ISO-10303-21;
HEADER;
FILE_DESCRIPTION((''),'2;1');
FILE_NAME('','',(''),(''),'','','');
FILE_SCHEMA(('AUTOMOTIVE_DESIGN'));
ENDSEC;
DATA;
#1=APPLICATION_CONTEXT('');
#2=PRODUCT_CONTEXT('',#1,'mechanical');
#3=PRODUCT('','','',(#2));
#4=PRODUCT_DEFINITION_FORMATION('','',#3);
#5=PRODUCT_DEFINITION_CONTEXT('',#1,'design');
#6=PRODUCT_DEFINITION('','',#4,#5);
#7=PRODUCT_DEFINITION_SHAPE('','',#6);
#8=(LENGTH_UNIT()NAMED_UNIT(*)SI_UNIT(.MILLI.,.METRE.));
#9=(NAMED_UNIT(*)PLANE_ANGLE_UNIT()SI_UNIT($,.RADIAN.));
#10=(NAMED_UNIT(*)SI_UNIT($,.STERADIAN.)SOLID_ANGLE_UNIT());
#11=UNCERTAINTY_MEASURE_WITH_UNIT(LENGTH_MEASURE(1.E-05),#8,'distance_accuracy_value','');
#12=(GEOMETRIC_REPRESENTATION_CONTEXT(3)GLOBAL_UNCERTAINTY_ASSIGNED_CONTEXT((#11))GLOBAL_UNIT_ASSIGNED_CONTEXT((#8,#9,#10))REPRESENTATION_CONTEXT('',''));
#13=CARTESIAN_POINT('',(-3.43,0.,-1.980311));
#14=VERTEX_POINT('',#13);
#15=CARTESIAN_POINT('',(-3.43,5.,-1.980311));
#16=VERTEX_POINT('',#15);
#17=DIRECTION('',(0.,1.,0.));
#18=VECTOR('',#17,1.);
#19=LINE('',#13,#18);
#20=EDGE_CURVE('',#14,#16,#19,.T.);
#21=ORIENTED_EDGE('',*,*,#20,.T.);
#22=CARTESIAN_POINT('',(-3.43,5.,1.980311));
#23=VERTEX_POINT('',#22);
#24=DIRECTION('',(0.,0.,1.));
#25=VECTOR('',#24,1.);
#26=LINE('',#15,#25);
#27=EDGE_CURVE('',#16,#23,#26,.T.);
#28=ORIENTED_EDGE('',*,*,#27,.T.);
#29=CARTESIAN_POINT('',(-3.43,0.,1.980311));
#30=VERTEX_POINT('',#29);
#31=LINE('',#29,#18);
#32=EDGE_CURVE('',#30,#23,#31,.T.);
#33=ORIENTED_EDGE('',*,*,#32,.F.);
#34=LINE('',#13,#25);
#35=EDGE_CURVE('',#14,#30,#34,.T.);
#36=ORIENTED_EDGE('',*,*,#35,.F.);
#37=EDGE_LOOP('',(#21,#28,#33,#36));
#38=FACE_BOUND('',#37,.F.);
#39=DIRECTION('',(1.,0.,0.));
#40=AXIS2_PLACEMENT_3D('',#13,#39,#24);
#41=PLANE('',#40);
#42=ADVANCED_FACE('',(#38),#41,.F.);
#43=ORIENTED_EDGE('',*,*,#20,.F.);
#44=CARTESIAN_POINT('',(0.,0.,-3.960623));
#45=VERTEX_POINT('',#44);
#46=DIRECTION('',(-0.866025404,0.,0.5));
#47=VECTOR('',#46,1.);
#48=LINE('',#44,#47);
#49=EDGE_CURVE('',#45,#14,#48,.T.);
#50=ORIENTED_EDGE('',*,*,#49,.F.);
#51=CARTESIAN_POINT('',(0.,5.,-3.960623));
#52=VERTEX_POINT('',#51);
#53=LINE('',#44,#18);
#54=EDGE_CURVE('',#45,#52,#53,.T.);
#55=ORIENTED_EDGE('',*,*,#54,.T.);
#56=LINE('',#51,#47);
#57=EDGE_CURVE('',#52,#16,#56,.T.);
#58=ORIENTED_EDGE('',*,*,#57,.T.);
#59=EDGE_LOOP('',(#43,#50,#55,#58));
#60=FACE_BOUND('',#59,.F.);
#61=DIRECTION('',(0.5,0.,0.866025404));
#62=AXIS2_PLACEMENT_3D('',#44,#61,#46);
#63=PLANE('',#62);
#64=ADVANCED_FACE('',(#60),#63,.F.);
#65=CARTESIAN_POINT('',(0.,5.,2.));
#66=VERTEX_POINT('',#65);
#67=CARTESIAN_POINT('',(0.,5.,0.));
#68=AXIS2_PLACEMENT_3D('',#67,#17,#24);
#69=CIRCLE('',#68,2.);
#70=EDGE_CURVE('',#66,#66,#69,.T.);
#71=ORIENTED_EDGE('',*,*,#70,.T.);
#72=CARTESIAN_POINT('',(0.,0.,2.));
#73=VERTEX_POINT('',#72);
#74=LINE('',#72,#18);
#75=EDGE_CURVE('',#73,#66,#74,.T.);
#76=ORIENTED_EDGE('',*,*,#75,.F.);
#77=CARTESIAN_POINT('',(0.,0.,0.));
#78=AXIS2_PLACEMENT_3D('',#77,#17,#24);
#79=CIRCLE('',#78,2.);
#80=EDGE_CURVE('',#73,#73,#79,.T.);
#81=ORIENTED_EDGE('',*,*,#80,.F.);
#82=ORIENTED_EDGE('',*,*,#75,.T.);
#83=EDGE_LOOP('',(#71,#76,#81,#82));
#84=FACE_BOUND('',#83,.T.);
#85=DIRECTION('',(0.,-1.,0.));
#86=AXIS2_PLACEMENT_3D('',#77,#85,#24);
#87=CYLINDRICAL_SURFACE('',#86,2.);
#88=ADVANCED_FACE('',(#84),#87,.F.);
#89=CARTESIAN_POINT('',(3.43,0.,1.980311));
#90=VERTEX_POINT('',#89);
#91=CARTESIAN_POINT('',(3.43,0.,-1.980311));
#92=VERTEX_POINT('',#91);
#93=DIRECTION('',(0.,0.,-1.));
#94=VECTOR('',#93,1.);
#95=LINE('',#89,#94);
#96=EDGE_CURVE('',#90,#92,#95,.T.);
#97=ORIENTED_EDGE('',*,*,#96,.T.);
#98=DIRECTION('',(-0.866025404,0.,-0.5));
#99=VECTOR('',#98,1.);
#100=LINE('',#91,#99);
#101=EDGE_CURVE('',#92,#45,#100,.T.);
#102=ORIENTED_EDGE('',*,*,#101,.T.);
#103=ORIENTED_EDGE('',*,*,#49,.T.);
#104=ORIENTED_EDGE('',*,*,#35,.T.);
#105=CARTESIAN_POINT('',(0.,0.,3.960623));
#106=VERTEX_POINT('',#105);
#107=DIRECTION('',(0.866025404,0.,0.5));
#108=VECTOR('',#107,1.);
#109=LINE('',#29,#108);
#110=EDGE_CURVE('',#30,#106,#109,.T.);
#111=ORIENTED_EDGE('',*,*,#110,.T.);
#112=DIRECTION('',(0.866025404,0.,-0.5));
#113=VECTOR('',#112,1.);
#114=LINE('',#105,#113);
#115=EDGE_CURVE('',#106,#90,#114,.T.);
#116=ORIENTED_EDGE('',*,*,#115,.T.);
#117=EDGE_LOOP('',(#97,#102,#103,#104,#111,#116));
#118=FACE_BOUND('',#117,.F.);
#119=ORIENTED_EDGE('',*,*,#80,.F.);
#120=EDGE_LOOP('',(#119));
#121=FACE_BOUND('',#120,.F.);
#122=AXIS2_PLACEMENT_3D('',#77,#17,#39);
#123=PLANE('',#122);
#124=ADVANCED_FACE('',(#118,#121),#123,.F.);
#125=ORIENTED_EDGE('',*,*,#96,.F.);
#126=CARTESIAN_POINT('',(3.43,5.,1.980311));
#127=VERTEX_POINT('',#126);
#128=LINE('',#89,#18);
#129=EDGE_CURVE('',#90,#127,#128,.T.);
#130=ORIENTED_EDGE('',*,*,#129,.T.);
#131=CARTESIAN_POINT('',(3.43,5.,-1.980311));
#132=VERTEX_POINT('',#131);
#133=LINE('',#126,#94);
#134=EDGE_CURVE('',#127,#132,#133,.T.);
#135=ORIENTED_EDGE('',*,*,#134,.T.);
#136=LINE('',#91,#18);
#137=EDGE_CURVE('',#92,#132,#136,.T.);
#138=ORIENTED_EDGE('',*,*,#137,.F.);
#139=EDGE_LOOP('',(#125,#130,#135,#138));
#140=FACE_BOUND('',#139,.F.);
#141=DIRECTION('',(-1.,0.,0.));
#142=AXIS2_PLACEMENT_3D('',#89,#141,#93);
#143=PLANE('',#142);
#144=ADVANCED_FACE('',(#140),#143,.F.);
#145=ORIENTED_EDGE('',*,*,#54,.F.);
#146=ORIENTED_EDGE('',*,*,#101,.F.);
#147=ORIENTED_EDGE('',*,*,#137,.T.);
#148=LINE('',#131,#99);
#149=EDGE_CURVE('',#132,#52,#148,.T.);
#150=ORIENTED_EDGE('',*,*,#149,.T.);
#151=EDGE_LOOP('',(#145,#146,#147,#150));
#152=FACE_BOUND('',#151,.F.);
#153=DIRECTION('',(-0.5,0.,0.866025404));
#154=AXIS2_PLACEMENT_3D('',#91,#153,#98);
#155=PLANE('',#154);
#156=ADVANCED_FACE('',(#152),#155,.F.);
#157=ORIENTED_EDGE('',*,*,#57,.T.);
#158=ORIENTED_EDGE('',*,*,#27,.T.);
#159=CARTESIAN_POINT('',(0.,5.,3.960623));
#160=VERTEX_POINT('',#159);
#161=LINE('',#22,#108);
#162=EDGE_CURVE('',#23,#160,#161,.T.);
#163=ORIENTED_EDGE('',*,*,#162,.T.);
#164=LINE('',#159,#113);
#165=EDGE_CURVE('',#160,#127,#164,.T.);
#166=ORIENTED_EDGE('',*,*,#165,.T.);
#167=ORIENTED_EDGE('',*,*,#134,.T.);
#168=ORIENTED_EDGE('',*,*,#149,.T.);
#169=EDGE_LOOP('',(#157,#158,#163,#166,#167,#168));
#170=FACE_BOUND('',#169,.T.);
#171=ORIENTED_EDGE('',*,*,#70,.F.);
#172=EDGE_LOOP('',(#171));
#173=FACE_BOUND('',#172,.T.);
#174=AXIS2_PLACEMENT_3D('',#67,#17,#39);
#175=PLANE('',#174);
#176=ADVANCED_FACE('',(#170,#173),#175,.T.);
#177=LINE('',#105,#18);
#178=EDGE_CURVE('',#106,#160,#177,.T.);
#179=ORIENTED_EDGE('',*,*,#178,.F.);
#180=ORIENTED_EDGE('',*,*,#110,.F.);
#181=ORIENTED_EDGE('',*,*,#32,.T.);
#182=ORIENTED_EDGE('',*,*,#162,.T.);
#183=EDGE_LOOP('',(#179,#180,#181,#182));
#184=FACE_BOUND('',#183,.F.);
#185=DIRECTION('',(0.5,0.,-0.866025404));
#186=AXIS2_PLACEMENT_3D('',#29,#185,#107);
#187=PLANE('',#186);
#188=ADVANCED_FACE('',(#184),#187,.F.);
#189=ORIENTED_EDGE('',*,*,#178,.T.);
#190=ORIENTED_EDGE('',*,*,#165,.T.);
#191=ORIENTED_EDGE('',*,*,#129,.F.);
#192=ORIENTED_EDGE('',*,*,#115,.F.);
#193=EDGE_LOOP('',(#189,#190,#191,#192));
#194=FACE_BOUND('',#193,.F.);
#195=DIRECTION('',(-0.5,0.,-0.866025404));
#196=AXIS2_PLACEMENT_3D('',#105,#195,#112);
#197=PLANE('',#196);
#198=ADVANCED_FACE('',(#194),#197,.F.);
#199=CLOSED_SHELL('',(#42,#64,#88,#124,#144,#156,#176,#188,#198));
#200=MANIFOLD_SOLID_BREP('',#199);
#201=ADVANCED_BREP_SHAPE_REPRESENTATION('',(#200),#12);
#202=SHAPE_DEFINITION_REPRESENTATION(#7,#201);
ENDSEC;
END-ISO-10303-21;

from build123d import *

# Parameters (mm, degrees)
SKETCH_1_R      = 2
EXTRUDE_1_DEPTH = 5


with BuildPart() as part:
    # Эскиз1 → Вытянуть1 (new body)
    with BuildSketch(Plane(origin=(0, 0, 0), x_dir=(1, 0, 0), z_dir=(0, 1, 0))):
        Polygon((0, -3.960622847), (3.43, -1.980311423), (3.43, 1.980311423), (0, 3.960622847), (-3.43, 1.980311423), (-3.43, -1.980311423), align=None)
        with Locations(Location((0, 0, 0), (0, 0, 270))):
            Circle(SKETCH_1_R, mode=Mode.SUBTRACT)
    extrude(amount=EXTRUDE_1_DEPTH)


solid = part.part
